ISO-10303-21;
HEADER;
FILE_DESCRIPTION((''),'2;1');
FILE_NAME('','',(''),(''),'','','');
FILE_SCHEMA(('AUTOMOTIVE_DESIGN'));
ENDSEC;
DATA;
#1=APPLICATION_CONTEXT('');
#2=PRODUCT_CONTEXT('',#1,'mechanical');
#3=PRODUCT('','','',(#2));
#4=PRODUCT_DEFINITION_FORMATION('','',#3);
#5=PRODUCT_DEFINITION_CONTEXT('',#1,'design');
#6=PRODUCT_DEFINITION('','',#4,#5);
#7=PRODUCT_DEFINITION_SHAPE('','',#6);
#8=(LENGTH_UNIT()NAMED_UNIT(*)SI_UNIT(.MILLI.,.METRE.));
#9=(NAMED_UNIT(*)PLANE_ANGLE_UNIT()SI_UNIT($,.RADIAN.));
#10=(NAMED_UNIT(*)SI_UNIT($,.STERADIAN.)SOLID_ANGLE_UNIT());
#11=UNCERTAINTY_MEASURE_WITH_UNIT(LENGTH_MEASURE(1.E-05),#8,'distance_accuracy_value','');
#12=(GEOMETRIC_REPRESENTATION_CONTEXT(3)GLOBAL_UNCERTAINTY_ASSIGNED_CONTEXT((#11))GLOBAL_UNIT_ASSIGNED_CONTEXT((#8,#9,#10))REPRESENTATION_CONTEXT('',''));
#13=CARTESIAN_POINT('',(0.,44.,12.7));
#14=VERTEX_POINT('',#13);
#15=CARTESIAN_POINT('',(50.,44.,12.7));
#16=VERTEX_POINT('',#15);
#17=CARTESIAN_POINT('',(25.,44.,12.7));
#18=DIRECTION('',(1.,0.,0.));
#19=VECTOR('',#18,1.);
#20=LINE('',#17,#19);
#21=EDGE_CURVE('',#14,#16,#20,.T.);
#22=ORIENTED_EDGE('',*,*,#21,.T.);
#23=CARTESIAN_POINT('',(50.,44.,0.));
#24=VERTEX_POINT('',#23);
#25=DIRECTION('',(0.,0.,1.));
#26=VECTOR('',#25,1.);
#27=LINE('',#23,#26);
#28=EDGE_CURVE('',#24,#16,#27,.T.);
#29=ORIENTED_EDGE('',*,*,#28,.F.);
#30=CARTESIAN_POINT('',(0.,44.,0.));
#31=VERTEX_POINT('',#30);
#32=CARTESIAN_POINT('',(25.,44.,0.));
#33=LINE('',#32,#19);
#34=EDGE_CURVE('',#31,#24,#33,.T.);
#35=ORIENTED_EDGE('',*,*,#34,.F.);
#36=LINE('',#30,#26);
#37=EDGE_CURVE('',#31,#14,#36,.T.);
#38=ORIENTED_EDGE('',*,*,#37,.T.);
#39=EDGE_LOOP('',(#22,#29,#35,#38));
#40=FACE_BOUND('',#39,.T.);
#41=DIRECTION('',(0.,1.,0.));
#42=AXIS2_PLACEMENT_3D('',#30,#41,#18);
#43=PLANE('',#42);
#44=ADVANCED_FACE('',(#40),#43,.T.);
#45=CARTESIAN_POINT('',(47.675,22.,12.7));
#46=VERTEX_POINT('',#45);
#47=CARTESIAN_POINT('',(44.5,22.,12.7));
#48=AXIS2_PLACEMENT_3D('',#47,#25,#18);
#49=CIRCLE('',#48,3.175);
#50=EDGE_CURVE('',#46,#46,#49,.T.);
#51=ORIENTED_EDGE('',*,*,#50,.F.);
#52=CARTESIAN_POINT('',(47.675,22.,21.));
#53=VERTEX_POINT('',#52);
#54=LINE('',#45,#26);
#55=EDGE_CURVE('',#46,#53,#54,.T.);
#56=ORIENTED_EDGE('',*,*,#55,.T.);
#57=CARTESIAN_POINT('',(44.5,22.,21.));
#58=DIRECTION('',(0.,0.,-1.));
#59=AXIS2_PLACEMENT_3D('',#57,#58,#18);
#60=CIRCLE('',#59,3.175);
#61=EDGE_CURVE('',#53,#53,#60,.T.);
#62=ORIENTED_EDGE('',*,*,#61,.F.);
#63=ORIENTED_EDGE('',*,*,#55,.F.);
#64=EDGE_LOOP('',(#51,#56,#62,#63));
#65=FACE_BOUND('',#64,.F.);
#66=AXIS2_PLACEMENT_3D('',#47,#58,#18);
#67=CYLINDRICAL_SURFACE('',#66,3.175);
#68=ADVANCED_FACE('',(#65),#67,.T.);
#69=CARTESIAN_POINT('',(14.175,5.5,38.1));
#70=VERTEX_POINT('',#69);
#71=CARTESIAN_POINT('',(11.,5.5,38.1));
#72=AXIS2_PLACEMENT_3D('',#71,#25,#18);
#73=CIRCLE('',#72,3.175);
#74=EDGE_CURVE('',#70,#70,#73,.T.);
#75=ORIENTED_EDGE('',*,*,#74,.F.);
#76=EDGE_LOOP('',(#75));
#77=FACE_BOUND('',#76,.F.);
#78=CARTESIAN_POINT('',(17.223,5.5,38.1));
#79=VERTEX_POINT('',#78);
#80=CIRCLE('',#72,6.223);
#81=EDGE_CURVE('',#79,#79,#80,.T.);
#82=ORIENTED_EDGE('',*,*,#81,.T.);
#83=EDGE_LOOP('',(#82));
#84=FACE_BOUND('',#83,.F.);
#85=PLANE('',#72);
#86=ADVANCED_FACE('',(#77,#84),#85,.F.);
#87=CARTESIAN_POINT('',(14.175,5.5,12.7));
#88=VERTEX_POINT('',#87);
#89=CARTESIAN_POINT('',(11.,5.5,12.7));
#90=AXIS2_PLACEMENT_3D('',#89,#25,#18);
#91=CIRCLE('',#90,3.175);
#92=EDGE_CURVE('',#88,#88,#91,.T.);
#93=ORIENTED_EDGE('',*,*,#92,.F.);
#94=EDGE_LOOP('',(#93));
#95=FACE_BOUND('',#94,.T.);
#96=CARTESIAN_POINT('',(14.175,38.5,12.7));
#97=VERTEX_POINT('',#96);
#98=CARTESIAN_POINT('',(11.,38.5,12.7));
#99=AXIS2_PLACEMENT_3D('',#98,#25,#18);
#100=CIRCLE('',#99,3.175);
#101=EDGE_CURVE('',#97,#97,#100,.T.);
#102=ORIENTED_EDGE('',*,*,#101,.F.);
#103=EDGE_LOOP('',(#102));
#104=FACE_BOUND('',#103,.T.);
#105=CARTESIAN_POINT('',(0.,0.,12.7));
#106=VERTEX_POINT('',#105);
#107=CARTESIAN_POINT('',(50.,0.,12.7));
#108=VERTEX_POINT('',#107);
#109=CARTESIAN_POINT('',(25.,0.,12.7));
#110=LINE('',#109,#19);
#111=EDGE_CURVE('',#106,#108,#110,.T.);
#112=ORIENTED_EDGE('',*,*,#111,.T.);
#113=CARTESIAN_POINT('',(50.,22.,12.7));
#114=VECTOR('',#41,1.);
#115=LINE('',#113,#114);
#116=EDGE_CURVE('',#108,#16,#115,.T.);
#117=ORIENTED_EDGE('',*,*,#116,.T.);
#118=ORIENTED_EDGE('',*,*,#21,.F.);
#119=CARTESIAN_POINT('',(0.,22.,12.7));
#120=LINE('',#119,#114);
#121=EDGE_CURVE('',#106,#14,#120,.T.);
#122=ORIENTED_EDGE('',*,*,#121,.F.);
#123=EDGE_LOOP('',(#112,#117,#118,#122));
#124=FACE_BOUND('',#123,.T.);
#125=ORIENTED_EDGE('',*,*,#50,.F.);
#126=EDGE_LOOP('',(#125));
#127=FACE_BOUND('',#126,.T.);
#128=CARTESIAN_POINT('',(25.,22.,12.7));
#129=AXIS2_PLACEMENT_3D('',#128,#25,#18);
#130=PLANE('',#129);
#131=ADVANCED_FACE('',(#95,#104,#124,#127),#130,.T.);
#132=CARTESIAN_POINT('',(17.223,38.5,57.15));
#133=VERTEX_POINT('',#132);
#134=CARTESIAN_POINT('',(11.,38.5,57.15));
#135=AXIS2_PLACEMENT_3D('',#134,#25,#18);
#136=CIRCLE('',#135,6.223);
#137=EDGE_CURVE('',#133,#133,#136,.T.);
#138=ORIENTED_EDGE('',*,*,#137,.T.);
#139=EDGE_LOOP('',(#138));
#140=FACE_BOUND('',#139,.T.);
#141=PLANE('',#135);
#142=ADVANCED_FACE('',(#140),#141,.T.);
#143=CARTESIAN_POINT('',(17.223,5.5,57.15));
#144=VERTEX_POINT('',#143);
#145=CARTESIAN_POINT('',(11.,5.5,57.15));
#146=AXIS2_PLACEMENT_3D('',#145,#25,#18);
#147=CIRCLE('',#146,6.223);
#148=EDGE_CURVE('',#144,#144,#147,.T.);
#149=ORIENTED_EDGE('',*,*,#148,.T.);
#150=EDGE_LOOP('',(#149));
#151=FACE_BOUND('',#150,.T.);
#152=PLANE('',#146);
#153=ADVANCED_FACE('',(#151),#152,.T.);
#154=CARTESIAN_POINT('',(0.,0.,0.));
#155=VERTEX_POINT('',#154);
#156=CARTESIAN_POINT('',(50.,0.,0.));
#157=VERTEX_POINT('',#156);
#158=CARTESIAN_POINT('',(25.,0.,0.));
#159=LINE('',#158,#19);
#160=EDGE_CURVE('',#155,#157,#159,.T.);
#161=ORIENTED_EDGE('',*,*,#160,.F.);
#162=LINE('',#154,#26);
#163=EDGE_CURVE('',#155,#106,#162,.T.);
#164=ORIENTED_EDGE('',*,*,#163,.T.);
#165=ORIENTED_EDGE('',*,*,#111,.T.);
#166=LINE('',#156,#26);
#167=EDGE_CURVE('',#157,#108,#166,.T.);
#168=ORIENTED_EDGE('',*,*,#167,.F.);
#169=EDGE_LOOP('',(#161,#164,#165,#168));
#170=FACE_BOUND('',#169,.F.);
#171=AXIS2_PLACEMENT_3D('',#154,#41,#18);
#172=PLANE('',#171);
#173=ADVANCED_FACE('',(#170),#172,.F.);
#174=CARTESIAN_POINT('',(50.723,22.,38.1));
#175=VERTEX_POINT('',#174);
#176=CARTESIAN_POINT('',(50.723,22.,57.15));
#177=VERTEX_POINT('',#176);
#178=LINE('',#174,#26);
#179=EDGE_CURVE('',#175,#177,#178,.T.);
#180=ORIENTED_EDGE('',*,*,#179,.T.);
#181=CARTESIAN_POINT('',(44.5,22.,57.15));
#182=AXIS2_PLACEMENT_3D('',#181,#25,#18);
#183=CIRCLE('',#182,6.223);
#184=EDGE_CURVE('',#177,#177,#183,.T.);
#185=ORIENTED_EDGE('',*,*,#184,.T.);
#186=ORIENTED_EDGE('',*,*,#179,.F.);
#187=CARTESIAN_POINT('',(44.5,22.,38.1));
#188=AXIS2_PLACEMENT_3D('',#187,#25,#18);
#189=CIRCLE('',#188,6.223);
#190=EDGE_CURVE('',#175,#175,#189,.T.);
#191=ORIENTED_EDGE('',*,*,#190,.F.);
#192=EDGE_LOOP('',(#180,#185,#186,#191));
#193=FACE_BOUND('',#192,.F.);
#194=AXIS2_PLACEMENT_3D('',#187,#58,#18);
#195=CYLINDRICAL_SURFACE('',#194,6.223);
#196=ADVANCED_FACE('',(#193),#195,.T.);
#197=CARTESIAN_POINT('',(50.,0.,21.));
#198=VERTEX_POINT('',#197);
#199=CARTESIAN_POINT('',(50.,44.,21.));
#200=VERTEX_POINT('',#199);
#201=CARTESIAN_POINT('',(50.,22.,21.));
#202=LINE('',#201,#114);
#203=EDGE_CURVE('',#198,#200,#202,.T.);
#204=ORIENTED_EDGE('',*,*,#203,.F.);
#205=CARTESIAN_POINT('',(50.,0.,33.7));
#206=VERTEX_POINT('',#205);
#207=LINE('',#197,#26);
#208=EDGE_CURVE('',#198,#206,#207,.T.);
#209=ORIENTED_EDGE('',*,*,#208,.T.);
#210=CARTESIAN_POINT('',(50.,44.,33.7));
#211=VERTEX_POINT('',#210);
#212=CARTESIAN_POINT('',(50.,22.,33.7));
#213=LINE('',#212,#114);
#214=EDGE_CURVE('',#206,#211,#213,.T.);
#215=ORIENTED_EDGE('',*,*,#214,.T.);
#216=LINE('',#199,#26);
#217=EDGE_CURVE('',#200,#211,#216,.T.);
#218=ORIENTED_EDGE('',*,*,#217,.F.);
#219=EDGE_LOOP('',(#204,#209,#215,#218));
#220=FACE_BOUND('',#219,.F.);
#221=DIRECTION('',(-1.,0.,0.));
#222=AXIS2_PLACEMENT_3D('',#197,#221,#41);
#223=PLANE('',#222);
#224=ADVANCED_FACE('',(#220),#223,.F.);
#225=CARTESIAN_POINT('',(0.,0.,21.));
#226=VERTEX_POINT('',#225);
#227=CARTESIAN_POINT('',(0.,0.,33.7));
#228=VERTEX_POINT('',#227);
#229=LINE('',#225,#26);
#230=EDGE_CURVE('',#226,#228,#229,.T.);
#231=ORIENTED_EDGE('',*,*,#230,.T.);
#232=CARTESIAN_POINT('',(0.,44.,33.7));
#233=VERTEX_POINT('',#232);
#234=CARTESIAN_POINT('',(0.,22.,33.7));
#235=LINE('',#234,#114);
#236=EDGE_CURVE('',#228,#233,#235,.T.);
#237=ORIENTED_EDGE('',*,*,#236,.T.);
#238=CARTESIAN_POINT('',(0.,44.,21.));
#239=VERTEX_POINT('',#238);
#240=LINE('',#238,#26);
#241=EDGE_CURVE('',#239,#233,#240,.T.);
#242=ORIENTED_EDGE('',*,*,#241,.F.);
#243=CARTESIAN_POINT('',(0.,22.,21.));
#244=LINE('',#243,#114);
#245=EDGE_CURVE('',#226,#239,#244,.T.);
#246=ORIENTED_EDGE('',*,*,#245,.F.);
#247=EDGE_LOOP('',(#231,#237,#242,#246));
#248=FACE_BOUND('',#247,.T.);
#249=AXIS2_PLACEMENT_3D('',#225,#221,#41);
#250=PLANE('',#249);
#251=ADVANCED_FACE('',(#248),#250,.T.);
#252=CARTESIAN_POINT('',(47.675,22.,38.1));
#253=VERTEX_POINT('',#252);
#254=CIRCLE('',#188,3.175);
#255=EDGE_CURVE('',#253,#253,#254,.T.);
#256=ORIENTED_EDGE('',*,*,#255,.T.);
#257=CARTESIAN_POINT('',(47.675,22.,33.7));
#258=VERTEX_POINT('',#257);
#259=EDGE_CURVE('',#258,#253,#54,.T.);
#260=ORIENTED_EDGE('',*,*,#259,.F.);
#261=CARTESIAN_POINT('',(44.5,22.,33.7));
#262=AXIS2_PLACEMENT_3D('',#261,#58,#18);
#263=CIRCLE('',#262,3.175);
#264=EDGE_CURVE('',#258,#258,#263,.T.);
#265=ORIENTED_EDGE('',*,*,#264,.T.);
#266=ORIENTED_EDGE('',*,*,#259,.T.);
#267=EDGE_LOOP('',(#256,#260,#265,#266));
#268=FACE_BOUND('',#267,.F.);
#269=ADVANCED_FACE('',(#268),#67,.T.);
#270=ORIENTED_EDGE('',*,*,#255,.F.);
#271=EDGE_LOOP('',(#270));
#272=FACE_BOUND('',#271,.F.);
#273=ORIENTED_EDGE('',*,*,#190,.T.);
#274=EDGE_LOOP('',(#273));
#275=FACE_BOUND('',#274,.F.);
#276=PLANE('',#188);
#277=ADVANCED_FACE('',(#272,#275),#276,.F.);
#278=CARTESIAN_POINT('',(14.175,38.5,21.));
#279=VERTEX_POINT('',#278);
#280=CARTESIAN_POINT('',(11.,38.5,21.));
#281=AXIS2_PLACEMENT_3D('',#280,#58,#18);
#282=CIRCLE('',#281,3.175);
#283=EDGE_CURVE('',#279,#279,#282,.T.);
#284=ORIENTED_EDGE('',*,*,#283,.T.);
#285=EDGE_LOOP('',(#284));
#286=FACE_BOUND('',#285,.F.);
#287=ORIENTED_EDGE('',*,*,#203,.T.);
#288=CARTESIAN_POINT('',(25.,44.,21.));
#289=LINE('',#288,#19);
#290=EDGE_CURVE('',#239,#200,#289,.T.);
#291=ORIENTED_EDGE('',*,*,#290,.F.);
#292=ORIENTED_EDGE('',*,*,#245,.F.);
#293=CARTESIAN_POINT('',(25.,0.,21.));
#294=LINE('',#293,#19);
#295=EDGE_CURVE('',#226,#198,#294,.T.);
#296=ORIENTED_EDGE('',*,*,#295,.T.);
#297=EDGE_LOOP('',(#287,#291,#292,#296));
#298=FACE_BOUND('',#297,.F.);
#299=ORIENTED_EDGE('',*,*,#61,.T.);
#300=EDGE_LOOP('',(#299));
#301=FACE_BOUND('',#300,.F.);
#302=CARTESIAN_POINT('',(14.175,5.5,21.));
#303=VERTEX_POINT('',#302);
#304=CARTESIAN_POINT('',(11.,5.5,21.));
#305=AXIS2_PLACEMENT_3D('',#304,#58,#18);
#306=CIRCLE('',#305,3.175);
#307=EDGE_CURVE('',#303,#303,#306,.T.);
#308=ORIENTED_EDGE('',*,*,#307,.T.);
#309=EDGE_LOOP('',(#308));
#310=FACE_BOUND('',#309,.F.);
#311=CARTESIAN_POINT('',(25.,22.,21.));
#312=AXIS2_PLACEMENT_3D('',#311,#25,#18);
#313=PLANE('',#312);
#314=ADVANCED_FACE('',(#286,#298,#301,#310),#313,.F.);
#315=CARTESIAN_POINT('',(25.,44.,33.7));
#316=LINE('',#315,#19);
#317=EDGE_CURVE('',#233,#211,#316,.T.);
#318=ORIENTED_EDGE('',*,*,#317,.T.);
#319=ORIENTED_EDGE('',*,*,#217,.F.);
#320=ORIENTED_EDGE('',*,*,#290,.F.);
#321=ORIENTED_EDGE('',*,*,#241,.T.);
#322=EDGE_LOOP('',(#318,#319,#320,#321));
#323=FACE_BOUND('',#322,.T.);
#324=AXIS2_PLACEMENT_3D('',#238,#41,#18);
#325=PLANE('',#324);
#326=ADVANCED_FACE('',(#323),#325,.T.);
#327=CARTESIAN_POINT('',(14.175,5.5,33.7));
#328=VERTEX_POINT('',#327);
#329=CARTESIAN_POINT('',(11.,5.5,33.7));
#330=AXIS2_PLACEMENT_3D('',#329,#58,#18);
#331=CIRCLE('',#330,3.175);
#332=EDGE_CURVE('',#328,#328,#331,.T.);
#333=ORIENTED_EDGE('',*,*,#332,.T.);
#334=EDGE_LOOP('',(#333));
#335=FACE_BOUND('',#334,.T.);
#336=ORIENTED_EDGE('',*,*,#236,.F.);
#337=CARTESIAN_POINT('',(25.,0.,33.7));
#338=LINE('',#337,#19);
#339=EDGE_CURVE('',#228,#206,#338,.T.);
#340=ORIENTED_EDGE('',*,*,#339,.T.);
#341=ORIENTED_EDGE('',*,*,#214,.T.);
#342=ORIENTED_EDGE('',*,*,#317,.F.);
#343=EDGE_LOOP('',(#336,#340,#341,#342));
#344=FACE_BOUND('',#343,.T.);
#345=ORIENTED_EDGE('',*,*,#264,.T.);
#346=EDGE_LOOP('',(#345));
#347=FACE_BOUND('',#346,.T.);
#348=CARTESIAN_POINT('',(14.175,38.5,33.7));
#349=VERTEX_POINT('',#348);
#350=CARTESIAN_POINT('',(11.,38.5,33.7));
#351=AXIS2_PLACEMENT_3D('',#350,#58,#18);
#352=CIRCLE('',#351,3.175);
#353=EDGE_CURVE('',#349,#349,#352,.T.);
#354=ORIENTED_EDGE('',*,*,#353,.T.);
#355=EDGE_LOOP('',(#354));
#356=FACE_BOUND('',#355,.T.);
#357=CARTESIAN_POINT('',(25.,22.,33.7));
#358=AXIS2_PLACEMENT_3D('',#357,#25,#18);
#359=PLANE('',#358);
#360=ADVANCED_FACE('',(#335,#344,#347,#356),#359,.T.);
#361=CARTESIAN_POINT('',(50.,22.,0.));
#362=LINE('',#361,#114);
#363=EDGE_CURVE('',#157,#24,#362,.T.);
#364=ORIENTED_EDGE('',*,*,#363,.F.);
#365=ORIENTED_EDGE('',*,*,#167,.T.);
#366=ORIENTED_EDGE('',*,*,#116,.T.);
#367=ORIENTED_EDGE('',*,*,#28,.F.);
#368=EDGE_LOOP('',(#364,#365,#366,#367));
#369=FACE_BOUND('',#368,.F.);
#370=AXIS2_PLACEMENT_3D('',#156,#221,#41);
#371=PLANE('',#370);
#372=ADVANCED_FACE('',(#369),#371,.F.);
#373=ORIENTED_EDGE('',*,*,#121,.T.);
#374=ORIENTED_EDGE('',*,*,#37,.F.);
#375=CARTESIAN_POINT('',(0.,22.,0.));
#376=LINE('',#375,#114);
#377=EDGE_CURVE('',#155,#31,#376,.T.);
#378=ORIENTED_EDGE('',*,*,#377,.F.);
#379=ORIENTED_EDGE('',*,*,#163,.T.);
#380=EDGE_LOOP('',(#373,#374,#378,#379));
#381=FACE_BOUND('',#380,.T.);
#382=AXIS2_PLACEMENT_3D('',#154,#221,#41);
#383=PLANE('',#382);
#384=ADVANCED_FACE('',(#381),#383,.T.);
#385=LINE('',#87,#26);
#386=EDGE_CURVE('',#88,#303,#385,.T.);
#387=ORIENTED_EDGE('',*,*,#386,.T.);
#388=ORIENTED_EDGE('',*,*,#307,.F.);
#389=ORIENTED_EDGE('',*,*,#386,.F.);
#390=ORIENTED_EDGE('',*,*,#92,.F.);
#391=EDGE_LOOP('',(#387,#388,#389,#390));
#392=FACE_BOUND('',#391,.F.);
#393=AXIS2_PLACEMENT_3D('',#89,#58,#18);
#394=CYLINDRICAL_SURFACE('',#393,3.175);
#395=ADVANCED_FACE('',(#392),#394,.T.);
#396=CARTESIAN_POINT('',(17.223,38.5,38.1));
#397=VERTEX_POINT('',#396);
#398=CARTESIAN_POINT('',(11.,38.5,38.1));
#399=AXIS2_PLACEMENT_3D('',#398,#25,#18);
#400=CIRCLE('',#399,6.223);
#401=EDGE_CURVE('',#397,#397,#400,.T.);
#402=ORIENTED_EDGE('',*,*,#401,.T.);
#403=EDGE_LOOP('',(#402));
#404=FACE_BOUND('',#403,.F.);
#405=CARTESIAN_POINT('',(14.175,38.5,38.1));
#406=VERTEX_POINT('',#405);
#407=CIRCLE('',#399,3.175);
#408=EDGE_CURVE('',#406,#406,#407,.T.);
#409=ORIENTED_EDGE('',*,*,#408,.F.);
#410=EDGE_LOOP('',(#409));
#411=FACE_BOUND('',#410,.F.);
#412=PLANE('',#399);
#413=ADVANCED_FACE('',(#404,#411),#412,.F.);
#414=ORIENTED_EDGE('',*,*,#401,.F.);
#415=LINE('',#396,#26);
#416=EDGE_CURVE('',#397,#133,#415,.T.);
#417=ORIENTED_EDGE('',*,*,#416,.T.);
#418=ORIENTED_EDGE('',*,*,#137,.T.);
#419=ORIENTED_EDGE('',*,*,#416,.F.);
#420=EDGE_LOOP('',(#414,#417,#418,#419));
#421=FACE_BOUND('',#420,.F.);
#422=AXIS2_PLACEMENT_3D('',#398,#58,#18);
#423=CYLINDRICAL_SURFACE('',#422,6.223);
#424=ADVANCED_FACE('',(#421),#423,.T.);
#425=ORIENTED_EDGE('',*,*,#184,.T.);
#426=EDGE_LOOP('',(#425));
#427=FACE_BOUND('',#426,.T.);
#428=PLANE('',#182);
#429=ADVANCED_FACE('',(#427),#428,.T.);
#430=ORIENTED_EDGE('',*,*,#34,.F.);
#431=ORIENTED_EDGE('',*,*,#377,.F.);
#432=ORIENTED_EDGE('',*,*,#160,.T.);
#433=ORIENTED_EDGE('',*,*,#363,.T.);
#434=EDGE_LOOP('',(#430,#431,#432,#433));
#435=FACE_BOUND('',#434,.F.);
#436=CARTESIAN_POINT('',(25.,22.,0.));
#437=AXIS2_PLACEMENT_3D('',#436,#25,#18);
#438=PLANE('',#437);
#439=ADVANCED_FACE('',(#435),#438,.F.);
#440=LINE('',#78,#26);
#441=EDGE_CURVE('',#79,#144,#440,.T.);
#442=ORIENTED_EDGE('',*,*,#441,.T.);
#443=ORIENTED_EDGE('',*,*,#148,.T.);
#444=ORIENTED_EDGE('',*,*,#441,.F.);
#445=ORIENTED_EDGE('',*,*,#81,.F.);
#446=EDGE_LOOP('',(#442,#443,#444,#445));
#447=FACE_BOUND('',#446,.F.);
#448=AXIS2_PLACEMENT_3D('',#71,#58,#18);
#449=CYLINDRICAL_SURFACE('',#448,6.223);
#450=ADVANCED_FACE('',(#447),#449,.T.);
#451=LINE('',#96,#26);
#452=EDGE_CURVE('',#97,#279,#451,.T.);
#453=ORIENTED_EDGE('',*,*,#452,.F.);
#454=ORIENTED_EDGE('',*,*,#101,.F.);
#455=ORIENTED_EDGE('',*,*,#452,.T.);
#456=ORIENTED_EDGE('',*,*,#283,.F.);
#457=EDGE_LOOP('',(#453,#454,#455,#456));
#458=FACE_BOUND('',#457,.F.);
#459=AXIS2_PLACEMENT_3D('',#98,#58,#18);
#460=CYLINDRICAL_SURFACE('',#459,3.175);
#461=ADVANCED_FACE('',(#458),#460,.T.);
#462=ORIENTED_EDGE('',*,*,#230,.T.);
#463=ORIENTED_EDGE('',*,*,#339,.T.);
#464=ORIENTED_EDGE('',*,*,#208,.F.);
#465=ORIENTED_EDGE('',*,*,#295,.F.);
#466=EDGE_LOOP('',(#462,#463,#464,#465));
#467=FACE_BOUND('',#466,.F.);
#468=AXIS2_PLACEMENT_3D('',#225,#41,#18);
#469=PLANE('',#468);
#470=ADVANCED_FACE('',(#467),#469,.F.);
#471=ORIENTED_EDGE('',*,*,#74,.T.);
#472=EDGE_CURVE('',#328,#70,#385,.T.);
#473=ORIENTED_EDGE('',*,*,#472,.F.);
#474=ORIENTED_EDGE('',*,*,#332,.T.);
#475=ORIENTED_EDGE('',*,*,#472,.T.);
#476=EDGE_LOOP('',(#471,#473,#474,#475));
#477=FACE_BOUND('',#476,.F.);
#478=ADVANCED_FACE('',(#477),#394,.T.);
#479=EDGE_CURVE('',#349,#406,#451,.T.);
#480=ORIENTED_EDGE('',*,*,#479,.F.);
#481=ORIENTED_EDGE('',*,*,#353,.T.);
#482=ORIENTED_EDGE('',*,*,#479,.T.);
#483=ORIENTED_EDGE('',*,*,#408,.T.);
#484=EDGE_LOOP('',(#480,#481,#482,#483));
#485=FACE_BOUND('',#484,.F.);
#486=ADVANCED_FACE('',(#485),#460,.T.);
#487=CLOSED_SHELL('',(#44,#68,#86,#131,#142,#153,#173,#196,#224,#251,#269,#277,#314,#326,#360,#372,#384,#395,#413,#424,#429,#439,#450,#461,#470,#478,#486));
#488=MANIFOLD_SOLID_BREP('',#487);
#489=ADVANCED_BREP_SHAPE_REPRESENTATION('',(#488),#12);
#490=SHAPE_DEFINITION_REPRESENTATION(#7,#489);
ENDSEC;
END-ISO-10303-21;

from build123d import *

# Parameters (mm, degrees)
BOX001_W          = 50
BOX001_H          = 44
BOX001_DEPTH      = 12.7
CYLINDER001_R     = 6.223
CYLINDER001_DEPTH = 19.05
CYLINDER_R        = 3.175
CYLINDER_DEPTH    = 25.4
CYLINDER003_R     = 6.223
CYLINDER003_DEPTH = 19.05
CYLINDER002_R     = 3.175
CYLINDER002_DEPTH = 25.4
CYLINDER005_R     = 6.223
CYLINDER005_DEPTH = 19.05
CYLINDER004_R     = 3.175
CYLINDER004_DEPTH = 25.4
BOX_W             = 50
BOX_H             = 44
BOX_DEPTH         = 12.7


with BuildPart() as top_plate:
    # Box001 → Box001 (new body)
    with BuildSketch(Plane.XY.offset(21)):
        with Locations((25, 22)):
            Rectangle(BOX001_W, BOX001_H)
    extrude(amount=BOX001_DEPTH)


with BuildPart() as screw_cap:
    # Cylinder001 → Cylinder001 (new body)
    with BuildSketch(Plane.XY.offset(25.4)):
        Circle(CYLINDER001_R)
    extrude(amount=CYLINDER001_DEPTH)


with BuildPart() as left_screw:
    # Cylinder → Cylinder (new body)
    with BuildSketch(Plane.XY):
        Circle(CYLINDER_R)
    extrude(amount=CYLINDER_DEPTH)

    # Fusion: union Screw Cap
    add(screw_cap.part)


with BuildPart() as left_screw_1:
    # Fusion placement: moved
    add(left_screw.part.moved(Location((11, 5.5, 12.7))))


with BuildPart() as screw_cap001:
    # Cylinder003 → Cylinder003 (new body)
    with BuildSketch(Plane.XY.offset(25.4)):
        Circle(CYLINDER003_R)
    extrude(amount=CYLINDER003_DEPTH)


with BuildPart() as right_screw:
    # Cylinder002 → Cylinder002 (new body)
    with BuildSketch(Plane.XY):
        Circle(CYLINDER002_R)
    extrude(amount=CYLINDER002_DEPTH)

    # Fusion001: union Screw Cap001
    add(screw_cap001.part)


with BuildPart() as right_screw_1:
    # Fusion001 placement: moved
    add(right_screw.part.moved(Location((11, 38.5, 12.7))))


with BuildPart() as screw_cap002:
    # Cylinder005 → Cylinder005 (new body)
    with BuildSketch(Plane.XY.offset(25.4)):
        Circle(CYLINDER005_R)
    extrude(amount=CYLINDER005_DEPTH)


with BuildPart() as center_screw:
    # Cylinder004 → Cylinder004 (new body)
    with BuildSketch(Plane.XY):
        Circle(CYLINDER004_R)
    extrude(amount=CYLINDER004_DEPTH)

    # Fusion002: union Screw Cap002
    add(screw_cap002.part)


with BuildPart() as center_screw_1:
    # Fusion002 placement: moved
    add(center_screw.part.moved(Location((44.5, 22, 12.7))))


with BuildPart() as fusion003:
    # Box → Box (new body)
    with BuildSketch(Plane.XY):
        with Locations((25, 22)):
            Rectangle(BOX_W, BOX_H)
    extrude(amount=BOX_DEPTH)

    # Fusion003: union Top Plate, Left Screw, Right Screw, Center Screw
    add(top_plate.part)
    add(left_screw_1.part)
    add(right_screw_1.part)
    add(center_screw_1.part)


solid = fusion003.part
